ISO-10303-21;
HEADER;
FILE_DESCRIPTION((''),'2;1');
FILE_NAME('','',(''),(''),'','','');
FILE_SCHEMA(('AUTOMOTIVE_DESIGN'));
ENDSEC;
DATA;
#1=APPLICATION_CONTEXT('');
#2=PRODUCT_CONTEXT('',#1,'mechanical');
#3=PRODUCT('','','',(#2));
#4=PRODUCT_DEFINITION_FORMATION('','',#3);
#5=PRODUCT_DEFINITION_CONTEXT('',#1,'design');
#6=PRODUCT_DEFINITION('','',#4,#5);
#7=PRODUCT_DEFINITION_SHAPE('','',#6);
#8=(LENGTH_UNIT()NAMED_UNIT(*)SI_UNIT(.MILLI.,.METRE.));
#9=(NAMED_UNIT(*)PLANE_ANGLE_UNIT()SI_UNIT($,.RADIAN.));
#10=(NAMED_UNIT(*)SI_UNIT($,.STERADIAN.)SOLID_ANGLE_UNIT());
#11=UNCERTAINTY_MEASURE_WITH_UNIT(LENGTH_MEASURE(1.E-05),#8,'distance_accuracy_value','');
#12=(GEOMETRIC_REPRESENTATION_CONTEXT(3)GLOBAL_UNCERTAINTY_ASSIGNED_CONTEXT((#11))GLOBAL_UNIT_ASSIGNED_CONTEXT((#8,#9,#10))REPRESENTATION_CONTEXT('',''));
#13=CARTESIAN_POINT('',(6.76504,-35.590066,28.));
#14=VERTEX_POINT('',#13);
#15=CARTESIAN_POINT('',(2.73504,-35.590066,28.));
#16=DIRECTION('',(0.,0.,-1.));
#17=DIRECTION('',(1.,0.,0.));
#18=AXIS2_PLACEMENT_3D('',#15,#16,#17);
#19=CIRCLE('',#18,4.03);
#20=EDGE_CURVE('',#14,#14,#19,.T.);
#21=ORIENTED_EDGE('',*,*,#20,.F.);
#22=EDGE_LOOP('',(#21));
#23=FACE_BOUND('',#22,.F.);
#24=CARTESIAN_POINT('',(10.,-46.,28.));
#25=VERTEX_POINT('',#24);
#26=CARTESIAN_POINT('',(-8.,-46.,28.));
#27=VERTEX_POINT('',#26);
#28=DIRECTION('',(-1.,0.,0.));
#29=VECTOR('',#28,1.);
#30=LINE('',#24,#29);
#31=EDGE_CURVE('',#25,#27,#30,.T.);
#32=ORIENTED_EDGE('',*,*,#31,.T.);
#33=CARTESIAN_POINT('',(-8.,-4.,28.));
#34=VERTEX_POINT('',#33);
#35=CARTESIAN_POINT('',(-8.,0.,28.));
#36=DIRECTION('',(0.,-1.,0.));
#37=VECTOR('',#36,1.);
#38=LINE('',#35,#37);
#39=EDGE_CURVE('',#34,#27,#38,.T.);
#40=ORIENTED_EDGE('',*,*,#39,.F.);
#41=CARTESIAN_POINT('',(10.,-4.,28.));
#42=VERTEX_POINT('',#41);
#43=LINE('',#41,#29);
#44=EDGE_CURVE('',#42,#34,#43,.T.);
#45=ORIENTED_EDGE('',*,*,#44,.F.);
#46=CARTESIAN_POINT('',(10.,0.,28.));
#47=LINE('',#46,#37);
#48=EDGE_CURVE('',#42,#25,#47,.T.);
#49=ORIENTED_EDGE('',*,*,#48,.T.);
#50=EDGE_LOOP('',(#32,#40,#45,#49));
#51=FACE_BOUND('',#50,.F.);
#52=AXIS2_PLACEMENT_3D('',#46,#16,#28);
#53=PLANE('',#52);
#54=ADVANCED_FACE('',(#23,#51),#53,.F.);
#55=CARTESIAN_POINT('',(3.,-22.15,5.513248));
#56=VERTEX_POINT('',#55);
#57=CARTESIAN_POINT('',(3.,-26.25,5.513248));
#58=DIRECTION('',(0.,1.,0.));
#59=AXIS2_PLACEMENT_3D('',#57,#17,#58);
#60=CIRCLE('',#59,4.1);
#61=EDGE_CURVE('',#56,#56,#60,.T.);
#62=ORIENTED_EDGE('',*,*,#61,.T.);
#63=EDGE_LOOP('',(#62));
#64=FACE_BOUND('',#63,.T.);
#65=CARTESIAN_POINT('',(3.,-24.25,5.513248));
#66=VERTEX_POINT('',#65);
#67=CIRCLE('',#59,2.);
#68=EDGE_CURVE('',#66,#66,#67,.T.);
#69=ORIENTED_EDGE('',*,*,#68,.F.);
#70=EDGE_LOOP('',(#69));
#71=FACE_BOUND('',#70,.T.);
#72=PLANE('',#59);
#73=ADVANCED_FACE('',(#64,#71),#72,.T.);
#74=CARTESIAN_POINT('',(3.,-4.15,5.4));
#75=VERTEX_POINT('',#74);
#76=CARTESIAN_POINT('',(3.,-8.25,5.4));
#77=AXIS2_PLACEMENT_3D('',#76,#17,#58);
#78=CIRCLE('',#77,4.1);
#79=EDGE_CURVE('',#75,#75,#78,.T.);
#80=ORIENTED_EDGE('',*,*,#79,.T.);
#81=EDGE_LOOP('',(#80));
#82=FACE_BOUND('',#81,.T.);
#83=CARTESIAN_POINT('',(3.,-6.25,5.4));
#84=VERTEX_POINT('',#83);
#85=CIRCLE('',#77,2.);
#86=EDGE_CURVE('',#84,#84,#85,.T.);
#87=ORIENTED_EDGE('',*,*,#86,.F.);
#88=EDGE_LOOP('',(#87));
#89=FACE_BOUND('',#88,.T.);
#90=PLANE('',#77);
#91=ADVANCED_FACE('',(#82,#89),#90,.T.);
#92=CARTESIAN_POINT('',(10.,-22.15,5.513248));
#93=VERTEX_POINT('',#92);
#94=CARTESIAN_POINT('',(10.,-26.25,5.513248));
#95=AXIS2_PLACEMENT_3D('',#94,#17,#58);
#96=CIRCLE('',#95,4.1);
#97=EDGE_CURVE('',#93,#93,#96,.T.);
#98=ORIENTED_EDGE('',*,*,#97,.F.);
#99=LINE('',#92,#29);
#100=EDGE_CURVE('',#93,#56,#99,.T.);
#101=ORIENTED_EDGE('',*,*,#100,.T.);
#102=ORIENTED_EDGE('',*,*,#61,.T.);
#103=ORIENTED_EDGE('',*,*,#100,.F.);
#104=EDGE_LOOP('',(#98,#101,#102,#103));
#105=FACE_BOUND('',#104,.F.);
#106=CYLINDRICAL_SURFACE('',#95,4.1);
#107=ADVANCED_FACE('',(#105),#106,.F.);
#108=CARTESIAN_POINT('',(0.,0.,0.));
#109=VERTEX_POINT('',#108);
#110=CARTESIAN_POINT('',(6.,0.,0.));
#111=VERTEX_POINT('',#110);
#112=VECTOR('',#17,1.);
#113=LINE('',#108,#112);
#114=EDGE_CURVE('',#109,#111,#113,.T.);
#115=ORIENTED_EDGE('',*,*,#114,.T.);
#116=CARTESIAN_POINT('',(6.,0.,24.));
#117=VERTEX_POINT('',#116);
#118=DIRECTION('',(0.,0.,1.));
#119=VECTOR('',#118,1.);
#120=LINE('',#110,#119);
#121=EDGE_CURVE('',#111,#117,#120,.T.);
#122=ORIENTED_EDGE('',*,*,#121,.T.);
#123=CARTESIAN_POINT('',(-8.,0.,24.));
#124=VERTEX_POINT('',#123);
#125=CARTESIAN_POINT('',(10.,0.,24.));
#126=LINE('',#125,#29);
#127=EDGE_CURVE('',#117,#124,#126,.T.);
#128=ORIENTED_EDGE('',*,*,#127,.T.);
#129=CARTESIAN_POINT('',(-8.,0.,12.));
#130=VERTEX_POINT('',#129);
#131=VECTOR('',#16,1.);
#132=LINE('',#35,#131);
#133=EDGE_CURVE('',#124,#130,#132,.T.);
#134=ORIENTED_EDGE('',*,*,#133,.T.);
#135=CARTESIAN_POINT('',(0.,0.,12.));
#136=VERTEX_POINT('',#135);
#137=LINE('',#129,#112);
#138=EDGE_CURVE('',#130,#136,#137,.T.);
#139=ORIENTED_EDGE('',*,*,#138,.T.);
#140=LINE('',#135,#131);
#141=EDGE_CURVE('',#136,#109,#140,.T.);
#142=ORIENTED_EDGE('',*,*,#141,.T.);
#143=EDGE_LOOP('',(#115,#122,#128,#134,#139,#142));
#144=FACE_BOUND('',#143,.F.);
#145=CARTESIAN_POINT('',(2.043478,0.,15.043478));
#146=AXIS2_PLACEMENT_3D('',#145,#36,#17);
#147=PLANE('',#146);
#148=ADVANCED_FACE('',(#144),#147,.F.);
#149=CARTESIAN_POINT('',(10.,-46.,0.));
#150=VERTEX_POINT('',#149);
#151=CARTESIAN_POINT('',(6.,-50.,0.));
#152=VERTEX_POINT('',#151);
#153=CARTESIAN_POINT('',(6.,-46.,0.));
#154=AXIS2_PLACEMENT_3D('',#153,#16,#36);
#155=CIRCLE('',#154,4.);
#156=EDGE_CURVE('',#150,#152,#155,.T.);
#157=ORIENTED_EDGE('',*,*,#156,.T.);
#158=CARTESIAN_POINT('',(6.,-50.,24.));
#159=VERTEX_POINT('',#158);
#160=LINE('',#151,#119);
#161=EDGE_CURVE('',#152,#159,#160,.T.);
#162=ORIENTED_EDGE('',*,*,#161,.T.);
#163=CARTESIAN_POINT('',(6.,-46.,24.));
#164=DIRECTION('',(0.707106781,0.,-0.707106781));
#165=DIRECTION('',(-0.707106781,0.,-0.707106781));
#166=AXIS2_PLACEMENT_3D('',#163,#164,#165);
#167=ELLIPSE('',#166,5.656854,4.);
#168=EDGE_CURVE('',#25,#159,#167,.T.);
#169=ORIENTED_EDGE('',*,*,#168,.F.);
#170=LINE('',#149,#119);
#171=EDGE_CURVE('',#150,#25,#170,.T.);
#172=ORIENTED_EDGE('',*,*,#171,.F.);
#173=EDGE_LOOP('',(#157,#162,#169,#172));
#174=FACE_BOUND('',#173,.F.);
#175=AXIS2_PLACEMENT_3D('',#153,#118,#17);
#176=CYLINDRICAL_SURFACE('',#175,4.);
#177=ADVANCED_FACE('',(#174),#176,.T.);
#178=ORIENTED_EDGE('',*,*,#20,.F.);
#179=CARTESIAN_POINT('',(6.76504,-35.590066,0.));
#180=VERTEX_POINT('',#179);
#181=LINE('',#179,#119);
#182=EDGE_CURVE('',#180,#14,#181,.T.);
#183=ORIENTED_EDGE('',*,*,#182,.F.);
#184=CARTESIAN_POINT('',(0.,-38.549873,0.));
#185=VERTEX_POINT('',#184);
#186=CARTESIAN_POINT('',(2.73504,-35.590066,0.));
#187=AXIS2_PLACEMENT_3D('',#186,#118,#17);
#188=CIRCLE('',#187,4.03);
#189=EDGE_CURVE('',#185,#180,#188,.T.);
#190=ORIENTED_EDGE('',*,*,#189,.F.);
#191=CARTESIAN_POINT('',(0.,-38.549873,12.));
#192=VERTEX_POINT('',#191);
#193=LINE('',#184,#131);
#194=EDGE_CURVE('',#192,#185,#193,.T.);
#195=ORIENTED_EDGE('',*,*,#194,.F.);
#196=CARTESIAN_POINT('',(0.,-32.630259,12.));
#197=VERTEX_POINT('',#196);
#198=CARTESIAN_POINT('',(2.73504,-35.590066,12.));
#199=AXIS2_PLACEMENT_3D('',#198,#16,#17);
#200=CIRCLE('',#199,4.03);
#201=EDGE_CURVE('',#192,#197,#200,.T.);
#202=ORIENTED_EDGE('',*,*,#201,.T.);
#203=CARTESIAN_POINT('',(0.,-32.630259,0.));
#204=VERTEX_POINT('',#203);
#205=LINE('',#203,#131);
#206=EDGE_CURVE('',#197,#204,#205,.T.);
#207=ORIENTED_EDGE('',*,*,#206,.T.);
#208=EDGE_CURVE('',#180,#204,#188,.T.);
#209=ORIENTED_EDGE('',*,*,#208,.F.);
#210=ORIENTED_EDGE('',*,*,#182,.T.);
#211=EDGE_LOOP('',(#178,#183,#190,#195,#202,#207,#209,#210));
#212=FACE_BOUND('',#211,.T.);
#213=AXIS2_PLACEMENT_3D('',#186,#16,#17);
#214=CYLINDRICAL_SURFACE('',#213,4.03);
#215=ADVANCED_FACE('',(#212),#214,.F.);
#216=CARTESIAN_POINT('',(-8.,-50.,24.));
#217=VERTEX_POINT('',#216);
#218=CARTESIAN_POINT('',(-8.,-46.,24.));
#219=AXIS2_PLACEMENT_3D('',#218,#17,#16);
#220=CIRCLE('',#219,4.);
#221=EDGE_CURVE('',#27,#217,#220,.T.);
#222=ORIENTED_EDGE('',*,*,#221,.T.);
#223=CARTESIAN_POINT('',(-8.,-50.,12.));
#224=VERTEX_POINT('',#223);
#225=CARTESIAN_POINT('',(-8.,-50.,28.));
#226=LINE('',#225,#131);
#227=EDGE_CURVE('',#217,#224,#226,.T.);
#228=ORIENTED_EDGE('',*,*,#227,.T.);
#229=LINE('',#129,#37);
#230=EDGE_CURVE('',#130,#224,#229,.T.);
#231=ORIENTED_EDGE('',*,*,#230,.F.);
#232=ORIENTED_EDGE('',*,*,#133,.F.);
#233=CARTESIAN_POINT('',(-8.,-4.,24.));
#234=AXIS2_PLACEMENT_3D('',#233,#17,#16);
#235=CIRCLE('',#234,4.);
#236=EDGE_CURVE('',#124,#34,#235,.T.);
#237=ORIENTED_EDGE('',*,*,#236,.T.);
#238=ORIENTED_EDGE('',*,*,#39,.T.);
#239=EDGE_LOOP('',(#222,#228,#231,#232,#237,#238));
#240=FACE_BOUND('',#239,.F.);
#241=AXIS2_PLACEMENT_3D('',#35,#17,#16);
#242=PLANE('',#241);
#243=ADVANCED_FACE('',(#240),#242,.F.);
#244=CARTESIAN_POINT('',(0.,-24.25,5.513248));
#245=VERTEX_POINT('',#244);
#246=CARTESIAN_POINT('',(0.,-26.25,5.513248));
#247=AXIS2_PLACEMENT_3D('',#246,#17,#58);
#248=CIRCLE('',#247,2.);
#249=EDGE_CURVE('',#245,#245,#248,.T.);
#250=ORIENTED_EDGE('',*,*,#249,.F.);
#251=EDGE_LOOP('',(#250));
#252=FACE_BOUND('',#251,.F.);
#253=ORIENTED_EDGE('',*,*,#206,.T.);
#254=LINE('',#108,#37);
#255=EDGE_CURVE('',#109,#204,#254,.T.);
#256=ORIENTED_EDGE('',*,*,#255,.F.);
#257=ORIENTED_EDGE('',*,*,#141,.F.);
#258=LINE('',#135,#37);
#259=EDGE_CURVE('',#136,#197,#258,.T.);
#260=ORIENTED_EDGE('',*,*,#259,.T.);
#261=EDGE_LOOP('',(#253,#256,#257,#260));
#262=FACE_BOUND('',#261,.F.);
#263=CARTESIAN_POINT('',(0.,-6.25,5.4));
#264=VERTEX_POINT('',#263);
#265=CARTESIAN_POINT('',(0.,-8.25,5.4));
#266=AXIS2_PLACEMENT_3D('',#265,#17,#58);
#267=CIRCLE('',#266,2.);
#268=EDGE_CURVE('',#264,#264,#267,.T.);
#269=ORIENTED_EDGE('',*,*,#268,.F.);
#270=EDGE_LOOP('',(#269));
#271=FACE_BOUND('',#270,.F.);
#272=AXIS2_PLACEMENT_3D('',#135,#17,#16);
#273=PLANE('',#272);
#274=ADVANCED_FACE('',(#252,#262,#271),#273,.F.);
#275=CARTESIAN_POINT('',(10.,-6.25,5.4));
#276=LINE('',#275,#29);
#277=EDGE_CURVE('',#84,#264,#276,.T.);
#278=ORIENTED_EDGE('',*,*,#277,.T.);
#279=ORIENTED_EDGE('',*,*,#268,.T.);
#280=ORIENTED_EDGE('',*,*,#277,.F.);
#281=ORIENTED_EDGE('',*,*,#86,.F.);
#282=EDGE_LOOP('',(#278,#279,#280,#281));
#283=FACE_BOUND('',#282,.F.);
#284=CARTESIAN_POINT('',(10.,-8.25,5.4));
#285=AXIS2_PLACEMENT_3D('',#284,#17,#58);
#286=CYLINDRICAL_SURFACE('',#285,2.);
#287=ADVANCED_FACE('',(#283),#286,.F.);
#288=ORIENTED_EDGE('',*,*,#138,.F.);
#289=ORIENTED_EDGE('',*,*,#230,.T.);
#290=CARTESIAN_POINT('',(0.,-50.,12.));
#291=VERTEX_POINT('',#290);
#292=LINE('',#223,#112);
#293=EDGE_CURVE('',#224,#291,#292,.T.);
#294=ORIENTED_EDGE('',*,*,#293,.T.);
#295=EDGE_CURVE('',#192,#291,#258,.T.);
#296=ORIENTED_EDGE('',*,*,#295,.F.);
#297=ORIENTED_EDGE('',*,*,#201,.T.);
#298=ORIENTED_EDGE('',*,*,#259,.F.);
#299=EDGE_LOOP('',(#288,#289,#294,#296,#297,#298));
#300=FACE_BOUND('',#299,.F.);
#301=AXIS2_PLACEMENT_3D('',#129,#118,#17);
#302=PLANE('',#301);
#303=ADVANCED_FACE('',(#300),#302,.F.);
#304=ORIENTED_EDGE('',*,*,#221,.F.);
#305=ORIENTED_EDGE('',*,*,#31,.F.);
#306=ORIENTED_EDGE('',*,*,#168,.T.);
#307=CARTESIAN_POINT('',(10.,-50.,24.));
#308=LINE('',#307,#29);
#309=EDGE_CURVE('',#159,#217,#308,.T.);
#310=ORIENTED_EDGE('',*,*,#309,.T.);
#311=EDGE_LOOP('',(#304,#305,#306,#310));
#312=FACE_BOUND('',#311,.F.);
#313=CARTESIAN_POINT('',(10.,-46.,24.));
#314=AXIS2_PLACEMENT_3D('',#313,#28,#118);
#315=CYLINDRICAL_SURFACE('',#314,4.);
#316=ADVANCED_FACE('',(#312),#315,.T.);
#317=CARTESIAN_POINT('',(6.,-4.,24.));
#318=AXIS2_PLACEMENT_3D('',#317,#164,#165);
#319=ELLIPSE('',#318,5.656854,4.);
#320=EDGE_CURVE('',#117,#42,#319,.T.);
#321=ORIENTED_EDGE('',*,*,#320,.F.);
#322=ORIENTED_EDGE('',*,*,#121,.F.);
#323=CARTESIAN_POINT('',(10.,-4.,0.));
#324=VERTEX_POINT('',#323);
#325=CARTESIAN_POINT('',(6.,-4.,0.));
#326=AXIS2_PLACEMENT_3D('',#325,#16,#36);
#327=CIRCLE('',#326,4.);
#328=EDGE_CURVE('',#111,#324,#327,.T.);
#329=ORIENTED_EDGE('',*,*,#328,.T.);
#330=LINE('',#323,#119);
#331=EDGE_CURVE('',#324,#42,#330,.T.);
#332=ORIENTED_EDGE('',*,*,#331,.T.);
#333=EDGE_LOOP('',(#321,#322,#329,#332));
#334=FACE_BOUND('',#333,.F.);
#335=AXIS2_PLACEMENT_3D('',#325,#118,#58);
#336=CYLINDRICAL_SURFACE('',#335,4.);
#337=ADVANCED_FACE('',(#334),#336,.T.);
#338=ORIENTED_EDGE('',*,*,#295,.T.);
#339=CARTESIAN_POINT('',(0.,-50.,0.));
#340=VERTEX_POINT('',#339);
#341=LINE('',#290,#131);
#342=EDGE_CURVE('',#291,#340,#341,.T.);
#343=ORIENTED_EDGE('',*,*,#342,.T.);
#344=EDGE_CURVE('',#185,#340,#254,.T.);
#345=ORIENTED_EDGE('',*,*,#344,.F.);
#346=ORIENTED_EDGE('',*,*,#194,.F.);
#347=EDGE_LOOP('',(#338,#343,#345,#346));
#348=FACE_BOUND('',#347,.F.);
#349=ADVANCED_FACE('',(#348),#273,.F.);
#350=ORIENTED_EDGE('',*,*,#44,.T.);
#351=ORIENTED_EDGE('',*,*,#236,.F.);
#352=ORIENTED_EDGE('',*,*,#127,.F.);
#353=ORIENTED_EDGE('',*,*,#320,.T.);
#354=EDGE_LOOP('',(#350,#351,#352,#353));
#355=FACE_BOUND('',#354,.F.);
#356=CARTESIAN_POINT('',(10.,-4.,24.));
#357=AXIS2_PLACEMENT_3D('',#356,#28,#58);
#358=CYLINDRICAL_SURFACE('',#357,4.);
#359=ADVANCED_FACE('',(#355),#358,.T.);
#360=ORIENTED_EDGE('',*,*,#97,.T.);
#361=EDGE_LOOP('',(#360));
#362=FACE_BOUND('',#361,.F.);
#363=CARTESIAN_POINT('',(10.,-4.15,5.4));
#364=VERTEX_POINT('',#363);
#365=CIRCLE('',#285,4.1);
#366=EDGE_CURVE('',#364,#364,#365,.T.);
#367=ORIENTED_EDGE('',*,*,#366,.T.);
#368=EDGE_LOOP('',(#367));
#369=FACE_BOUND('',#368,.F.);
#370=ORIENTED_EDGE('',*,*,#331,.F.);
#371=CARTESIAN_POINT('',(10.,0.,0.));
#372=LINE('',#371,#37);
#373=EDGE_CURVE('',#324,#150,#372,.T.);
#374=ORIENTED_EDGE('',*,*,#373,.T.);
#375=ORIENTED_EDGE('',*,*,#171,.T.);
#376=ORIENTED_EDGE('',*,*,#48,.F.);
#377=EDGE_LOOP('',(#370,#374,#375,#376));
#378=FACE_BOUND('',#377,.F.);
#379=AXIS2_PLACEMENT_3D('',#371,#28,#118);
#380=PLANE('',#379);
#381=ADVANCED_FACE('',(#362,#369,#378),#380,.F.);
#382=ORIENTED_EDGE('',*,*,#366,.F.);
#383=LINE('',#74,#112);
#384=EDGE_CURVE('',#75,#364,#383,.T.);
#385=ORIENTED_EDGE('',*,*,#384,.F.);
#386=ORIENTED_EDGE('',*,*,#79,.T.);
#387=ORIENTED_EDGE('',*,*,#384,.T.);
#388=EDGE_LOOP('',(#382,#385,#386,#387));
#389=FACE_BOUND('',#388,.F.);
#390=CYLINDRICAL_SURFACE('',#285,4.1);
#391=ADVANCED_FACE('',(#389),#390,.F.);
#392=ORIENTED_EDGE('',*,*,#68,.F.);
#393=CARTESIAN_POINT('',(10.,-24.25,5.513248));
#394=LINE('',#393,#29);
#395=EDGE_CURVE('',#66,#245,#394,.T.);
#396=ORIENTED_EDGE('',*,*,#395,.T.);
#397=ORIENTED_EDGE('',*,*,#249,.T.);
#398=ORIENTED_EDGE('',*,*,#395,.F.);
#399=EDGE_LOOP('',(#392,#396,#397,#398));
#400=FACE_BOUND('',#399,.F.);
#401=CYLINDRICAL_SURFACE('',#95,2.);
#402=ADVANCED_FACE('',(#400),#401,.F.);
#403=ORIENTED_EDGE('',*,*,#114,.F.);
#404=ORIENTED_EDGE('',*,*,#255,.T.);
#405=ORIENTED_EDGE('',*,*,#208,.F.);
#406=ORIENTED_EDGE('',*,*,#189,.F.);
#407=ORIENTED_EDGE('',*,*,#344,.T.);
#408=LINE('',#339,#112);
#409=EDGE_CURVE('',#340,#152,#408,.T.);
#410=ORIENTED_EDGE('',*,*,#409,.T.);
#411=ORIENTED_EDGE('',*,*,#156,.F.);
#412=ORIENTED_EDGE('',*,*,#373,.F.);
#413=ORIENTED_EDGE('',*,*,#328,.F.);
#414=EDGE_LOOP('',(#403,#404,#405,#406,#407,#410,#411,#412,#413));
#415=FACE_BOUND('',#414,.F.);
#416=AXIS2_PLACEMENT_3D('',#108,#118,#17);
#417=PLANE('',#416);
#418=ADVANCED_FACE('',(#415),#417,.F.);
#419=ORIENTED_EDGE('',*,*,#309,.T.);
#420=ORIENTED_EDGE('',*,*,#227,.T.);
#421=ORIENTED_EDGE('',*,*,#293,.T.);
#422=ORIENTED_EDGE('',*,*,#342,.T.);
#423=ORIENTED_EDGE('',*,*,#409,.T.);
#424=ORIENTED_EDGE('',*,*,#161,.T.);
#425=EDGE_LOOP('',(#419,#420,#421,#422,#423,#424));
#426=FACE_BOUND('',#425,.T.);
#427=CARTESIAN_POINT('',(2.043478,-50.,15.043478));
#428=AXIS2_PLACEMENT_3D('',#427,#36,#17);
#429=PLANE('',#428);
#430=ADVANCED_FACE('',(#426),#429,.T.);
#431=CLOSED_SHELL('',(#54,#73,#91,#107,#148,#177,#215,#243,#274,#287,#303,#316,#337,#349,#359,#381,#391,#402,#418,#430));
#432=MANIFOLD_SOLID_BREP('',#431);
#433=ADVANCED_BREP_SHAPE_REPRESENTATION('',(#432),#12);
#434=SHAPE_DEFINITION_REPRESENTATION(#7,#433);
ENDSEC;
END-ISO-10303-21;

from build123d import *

# Parameters (mm, degrees)
F1_DEPTH      = 50
F2_R          = 2
F3_DEPTH      = 25
F4_R          = 4.03
F5_DEPTH      = 28.8
F5_DEPTH_BACK = 25
F2_R_2        = 4.1
F6_DEPTH      = 7
F7_R          = 4


with BuildPart() as f1:
    # F0 (on Front) → F1 (new body)
    with BuildSketch(Plane.XZ):
        Polygon((0, 12), (0, 0), (10, 0), (10, 28), (-8, 28), (-8, 12), align=None)
    extrude(amount=F1_DEPTH)

    # F2 (on face) → F3 (cut)
    with BuildSketch(Plane.YZ.offset(10)):
        with Locations((-26.25, 5.513248)):
            Circle(F2_R)
        with Locations((-8.25, 5.4)):
            Circle(F2_R)
    extrude(amount=-F3_DEPTH, mode=Mode.SUBTRACT)

    # F4 (on Top) → F5 (cut, two sides)
    with BuildSketch(Plane.XY) as f5_sk:
        with Locations((2.73504, -35.590066)):
            Circle(F4_R)
    extrude(amount=F5_DEPTH, mode=Mode.SUBTRACT)
    extrude(f5_sk.sketch, amount=-F5_DEPTH_BACK, mode=Mode.SUBTRACT)

    # F2 (on face) → F6 (cut, symmetric)
    with BuildSketch(Plane.YZ.offset(10)):
        with Locations((-26.25, 5.513248)):
            Circle(F2_R_2)
        with Locations((-26.25, 5.513248)):
            Circle(F2_R, mode=Mode.SUBTRACT)
        with Locations((-8.25, 5.4)):
            Circle(F2_R_2)
        with Locations((-8.25, 5.4)):
            Circle(F2_R, mode=Mode.SUBTRACT)
    extrude(amount=F6_DEPTH, both=True, mode=Mode.SUBTRACT)

    # F7
    f7_edges = [f1.edges().sort_by_distance(p)[0] for p in [
        (1, -50, 28),
        (1, 0, 28),
        (10, -50, 14),
        (10, 0, 14),
    ]]
    fillet(f7_edges, radius=F7_R)


solid = f1.part
